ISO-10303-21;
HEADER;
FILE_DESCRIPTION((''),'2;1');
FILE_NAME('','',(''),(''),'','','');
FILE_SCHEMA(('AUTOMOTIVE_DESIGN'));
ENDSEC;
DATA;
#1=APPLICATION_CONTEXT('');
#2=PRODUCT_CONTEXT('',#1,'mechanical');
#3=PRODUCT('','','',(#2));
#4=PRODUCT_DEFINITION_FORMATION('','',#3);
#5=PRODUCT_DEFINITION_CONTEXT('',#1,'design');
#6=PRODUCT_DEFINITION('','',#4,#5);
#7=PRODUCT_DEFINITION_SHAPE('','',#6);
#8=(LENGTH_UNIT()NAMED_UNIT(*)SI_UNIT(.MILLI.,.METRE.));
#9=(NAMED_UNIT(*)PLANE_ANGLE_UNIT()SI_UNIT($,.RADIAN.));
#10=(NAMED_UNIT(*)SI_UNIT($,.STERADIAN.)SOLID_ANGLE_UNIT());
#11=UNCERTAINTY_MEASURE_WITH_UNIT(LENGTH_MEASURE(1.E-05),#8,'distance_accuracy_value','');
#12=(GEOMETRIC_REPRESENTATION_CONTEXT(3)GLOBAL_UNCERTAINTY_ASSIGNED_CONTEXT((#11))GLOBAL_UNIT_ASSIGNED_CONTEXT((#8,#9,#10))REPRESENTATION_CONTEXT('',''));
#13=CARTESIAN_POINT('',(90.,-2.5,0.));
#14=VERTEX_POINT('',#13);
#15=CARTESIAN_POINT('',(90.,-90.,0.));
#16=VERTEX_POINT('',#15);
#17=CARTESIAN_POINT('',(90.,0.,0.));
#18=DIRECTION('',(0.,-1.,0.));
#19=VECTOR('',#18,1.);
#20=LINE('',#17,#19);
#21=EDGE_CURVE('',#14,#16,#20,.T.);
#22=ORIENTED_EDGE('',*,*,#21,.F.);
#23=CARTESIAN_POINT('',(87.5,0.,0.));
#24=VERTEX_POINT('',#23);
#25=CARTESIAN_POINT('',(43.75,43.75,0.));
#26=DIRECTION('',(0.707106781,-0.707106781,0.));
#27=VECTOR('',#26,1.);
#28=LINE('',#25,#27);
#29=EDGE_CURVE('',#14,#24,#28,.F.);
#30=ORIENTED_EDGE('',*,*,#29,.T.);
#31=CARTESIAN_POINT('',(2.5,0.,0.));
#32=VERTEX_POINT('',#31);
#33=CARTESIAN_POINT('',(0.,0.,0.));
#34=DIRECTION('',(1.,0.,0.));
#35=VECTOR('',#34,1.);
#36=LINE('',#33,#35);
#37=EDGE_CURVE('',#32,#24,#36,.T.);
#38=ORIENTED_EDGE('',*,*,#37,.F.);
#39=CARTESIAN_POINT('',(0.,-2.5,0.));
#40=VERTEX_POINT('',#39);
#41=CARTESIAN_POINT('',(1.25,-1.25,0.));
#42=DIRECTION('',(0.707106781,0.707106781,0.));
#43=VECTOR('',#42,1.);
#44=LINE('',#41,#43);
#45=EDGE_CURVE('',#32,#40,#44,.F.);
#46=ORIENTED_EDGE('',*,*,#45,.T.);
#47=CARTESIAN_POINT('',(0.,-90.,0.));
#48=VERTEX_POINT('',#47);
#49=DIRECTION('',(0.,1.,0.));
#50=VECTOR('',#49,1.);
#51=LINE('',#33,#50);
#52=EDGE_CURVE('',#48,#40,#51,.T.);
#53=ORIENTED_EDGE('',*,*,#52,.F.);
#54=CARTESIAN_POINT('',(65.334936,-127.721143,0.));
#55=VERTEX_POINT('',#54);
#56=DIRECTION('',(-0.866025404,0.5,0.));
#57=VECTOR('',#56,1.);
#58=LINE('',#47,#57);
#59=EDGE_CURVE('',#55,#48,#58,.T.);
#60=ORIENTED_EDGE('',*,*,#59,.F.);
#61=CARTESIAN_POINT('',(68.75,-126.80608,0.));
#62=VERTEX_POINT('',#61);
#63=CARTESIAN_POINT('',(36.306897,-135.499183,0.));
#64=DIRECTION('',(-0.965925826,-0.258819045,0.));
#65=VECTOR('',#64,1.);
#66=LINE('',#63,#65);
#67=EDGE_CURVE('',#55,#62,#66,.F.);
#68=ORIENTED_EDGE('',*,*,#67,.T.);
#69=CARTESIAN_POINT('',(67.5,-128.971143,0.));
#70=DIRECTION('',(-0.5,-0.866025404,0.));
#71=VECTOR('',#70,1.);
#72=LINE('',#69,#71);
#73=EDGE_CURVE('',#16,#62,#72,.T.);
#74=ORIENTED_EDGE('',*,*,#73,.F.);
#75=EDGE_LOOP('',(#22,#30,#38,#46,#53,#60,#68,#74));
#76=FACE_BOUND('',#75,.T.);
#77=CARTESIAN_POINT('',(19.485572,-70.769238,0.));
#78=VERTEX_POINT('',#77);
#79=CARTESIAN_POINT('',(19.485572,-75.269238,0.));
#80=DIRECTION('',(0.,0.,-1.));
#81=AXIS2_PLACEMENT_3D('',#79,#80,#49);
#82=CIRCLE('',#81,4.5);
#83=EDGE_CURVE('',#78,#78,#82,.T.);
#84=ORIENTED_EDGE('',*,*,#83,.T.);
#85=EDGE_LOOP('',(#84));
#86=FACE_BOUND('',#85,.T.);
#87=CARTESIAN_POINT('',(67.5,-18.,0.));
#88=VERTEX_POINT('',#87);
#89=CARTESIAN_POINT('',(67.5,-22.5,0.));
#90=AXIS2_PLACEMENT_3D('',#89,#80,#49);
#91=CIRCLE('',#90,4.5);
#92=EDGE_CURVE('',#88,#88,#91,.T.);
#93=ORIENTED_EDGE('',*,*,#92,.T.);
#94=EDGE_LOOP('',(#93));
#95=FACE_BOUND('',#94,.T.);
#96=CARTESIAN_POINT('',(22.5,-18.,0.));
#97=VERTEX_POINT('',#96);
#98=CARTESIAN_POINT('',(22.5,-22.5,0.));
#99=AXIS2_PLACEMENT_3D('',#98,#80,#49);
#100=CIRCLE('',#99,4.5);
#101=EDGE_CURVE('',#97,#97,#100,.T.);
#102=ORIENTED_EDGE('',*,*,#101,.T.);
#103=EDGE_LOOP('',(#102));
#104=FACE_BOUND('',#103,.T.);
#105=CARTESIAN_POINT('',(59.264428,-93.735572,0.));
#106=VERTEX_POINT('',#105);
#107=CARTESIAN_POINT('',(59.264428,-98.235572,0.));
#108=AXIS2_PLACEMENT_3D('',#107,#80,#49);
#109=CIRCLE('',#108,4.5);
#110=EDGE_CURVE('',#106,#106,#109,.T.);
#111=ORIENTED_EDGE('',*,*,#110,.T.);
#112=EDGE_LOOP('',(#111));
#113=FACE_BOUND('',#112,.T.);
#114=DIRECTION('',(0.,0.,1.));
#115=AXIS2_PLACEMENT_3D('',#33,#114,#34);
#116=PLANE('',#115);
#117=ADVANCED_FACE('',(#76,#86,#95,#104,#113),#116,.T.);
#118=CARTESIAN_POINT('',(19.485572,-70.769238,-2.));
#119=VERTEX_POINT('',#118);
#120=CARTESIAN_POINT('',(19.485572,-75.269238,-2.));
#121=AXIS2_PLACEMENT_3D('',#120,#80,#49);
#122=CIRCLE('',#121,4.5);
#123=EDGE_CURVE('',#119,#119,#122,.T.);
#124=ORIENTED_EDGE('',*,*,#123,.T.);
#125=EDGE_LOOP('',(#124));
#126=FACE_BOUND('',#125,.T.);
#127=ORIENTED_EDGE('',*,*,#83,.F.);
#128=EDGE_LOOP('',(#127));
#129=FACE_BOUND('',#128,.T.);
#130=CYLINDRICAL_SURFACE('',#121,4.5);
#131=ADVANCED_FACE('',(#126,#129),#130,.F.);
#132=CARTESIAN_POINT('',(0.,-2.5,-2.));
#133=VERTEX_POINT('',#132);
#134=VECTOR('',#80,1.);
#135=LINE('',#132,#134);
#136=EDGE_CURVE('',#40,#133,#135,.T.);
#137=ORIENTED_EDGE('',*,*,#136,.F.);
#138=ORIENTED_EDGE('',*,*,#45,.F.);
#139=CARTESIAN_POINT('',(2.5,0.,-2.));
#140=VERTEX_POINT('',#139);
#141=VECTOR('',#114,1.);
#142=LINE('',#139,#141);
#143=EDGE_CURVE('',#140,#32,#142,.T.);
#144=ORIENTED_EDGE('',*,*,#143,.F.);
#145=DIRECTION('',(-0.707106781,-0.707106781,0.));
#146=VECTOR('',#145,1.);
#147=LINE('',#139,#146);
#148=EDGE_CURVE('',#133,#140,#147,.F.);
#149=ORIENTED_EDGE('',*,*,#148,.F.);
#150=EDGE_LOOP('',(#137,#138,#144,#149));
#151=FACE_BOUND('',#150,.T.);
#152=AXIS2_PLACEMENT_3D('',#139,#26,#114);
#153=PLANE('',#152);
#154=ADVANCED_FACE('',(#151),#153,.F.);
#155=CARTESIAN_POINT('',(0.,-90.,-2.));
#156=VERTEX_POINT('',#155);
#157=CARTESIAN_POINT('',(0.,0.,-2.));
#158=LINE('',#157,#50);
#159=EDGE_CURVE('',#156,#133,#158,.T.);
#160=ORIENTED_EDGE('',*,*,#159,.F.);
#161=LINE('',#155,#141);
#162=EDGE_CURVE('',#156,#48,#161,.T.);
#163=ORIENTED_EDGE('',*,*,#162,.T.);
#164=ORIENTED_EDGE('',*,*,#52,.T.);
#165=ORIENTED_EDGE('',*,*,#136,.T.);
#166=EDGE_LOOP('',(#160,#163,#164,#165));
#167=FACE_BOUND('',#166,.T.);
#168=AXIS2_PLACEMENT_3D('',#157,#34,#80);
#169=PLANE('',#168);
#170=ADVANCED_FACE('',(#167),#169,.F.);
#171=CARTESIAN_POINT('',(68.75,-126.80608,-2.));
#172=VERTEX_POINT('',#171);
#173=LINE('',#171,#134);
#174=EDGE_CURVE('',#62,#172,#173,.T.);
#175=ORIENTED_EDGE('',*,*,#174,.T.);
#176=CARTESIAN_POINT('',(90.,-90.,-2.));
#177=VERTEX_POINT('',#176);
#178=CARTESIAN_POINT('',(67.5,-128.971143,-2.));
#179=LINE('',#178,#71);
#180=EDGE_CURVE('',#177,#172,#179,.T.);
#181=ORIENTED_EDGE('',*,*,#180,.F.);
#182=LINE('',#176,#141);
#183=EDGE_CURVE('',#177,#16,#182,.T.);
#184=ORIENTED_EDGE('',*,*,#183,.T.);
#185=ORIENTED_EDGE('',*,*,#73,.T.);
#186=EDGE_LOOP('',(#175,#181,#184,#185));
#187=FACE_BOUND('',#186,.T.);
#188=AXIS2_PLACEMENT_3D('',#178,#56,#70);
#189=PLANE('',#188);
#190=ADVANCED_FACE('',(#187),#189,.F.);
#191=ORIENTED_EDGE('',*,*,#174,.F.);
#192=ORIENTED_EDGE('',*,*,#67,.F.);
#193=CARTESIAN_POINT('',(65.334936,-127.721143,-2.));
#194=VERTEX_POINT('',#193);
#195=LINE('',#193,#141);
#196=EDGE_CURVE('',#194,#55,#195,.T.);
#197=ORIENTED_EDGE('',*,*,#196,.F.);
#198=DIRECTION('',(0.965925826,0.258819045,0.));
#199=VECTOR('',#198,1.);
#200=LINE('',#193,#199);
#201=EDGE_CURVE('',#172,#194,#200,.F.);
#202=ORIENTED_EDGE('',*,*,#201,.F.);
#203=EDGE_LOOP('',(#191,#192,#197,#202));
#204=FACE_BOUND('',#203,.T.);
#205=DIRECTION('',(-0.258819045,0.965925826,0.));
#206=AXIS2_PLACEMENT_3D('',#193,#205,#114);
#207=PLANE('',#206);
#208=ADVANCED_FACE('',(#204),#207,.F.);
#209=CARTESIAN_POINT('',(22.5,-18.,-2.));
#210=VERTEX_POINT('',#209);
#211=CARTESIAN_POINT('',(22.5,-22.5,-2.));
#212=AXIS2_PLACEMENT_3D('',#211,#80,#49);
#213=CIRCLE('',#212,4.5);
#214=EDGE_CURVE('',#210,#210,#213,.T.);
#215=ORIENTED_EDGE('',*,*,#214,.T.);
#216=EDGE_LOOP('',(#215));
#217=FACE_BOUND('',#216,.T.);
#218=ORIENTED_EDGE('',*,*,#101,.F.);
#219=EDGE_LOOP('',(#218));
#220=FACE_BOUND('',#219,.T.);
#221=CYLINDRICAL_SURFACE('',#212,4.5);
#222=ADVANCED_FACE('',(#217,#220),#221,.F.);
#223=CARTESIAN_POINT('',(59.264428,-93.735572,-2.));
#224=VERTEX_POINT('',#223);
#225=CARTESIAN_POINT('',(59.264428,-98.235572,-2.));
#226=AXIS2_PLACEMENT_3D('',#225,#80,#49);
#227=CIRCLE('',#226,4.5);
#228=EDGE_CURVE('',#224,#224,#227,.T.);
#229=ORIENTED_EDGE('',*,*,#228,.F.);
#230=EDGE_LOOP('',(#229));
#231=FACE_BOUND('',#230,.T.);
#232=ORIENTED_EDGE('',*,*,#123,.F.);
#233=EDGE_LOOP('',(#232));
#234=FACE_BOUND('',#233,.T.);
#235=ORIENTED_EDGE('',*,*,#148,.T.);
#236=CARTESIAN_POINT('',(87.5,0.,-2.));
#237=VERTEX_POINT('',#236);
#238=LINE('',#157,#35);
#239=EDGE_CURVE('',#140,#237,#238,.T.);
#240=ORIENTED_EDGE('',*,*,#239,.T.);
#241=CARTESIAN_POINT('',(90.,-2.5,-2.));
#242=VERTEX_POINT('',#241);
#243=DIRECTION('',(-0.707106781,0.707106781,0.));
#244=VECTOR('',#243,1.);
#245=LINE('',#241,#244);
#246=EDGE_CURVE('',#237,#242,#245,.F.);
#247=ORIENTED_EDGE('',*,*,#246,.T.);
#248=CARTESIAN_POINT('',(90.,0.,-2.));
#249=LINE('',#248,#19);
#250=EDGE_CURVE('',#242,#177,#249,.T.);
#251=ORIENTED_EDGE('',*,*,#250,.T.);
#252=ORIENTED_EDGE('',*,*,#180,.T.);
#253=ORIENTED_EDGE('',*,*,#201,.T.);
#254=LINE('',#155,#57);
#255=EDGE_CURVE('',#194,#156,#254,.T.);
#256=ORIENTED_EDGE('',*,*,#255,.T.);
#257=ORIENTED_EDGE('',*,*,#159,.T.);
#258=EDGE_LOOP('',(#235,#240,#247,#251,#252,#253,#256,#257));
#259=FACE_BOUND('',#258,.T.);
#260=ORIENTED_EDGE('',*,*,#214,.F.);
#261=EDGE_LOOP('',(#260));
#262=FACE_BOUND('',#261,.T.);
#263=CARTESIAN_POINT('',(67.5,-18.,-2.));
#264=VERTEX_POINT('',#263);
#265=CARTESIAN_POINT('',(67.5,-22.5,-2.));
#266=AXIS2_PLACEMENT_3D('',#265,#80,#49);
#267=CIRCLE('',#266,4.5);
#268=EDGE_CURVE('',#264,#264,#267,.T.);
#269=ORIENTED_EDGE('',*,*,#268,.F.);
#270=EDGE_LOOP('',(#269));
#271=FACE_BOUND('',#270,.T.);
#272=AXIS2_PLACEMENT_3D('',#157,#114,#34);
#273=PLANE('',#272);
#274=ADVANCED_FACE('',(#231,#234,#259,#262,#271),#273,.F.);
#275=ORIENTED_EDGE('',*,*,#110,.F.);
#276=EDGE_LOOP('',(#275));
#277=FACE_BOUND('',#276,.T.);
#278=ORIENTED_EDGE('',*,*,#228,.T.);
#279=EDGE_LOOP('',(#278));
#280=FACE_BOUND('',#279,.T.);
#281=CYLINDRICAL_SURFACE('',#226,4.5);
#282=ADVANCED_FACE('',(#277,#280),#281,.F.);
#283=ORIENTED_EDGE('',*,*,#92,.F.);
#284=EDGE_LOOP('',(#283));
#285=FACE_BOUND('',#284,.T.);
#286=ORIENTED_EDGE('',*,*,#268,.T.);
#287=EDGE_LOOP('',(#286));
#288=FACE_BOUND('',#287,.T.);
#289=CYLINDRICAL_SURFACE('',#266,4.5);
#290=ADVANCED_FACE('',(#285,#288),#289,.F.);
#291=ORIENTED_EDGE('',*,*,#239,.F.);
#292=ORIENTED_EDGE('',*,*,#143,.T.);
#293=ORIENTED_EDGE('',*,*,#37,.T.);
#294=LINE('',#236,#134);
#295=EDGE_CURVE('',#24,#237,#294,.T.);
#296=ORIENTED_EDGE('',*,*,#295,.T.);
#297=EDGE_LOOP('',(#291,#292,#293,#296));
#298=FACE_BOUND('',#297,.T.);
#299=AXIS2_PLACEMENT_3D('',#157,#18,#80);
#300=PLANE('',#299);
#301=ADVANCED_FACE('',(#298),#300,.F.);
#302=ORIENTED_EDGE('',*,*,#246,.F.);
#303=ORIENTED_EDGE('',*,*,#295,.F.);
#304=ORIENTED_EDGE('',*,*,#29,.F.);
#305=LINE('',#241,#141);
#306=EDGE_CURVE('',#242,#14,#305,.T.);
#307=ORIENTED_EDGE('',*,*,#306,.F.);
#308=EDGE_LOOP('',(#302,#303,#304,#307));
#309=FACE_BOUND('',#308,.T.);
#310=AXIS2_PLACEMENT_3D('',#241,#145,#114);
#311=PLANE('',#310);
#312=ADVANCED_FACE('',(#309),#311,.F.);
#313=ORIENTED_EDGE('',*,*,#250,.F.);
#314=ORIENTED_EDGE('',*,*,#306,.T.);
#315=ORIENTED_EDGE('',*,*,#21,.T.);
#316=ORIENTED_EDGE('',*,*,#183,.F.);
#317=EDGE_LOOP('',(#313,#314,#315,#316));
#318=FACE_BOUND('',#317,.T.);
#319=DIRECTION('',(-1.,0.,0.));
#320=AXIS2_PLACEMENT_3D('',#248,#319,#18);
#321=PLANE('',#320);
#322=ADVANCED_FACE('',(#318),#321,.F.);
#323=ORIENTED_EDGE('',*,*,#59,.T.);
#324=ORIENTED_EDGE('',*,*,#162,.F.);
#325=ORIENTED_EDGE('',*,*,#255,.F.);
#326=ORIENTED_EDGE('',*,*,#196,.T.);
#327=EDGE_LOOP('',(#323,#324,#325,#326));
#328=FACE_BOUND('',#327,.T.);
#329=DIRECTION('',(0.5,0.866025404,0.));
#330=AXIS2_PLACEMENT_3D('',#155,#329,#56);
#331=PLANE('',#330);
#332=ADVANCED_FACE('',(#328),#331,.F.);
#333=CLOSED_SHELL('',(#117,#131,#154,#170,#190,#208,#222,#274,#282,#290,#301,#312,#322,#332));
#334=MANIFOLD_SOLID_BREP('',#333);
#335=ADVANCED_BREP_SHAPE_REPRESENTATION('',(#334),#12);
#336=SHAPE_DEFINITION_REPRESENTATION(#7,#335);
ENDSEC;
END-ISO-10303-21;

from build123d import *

# Parameters (mm, degrees)
EXTRUDE_1_DEPTH   = 2
HOLE_WIZARD_M81_D = 9
CHAMFER_1_SIZE    = 2.5


with BuildPart() as part:
    # Эскиз3 → Бобышка-Вытянуть1 (new body)
    with BuildSketch(Plane(origin=(0, 0, 0), x_dir=(1, 0, 0), z_dir=(0, 0, -1))):
        Polygon((0, 0), (90, 0), (90, 90), (67.5, 128.97114317), (0, 90), align=None)
    extrude(amount=EXTRUDE_1_DEPTH)

    # Отверстие с зазором M81 (through all)
    with Locations(Plane(origin=(0, 0, -2), x_dir=(1, 0, 0), z_dir=(0, 0, -1))):
        with Locations((22.5, 22.5), (67.5, 22.5), (19.485571585, 75.269237886), (59.264428415, 98.235571585)):
            Hole(HOLE_WIZARD_M81_D / 2)

    # Фаска1
    chamfer_1_edges = [part.edges().sort_by_distance(p)[0] for p in [
        (67.5, -128.97114317, -1),
        (90, 0, -1),
        (0, 0, -1),
    ]]
    chamfer(chamfer_1_edges, length=CHAMFER_1_SIZE)


solid = part.part
